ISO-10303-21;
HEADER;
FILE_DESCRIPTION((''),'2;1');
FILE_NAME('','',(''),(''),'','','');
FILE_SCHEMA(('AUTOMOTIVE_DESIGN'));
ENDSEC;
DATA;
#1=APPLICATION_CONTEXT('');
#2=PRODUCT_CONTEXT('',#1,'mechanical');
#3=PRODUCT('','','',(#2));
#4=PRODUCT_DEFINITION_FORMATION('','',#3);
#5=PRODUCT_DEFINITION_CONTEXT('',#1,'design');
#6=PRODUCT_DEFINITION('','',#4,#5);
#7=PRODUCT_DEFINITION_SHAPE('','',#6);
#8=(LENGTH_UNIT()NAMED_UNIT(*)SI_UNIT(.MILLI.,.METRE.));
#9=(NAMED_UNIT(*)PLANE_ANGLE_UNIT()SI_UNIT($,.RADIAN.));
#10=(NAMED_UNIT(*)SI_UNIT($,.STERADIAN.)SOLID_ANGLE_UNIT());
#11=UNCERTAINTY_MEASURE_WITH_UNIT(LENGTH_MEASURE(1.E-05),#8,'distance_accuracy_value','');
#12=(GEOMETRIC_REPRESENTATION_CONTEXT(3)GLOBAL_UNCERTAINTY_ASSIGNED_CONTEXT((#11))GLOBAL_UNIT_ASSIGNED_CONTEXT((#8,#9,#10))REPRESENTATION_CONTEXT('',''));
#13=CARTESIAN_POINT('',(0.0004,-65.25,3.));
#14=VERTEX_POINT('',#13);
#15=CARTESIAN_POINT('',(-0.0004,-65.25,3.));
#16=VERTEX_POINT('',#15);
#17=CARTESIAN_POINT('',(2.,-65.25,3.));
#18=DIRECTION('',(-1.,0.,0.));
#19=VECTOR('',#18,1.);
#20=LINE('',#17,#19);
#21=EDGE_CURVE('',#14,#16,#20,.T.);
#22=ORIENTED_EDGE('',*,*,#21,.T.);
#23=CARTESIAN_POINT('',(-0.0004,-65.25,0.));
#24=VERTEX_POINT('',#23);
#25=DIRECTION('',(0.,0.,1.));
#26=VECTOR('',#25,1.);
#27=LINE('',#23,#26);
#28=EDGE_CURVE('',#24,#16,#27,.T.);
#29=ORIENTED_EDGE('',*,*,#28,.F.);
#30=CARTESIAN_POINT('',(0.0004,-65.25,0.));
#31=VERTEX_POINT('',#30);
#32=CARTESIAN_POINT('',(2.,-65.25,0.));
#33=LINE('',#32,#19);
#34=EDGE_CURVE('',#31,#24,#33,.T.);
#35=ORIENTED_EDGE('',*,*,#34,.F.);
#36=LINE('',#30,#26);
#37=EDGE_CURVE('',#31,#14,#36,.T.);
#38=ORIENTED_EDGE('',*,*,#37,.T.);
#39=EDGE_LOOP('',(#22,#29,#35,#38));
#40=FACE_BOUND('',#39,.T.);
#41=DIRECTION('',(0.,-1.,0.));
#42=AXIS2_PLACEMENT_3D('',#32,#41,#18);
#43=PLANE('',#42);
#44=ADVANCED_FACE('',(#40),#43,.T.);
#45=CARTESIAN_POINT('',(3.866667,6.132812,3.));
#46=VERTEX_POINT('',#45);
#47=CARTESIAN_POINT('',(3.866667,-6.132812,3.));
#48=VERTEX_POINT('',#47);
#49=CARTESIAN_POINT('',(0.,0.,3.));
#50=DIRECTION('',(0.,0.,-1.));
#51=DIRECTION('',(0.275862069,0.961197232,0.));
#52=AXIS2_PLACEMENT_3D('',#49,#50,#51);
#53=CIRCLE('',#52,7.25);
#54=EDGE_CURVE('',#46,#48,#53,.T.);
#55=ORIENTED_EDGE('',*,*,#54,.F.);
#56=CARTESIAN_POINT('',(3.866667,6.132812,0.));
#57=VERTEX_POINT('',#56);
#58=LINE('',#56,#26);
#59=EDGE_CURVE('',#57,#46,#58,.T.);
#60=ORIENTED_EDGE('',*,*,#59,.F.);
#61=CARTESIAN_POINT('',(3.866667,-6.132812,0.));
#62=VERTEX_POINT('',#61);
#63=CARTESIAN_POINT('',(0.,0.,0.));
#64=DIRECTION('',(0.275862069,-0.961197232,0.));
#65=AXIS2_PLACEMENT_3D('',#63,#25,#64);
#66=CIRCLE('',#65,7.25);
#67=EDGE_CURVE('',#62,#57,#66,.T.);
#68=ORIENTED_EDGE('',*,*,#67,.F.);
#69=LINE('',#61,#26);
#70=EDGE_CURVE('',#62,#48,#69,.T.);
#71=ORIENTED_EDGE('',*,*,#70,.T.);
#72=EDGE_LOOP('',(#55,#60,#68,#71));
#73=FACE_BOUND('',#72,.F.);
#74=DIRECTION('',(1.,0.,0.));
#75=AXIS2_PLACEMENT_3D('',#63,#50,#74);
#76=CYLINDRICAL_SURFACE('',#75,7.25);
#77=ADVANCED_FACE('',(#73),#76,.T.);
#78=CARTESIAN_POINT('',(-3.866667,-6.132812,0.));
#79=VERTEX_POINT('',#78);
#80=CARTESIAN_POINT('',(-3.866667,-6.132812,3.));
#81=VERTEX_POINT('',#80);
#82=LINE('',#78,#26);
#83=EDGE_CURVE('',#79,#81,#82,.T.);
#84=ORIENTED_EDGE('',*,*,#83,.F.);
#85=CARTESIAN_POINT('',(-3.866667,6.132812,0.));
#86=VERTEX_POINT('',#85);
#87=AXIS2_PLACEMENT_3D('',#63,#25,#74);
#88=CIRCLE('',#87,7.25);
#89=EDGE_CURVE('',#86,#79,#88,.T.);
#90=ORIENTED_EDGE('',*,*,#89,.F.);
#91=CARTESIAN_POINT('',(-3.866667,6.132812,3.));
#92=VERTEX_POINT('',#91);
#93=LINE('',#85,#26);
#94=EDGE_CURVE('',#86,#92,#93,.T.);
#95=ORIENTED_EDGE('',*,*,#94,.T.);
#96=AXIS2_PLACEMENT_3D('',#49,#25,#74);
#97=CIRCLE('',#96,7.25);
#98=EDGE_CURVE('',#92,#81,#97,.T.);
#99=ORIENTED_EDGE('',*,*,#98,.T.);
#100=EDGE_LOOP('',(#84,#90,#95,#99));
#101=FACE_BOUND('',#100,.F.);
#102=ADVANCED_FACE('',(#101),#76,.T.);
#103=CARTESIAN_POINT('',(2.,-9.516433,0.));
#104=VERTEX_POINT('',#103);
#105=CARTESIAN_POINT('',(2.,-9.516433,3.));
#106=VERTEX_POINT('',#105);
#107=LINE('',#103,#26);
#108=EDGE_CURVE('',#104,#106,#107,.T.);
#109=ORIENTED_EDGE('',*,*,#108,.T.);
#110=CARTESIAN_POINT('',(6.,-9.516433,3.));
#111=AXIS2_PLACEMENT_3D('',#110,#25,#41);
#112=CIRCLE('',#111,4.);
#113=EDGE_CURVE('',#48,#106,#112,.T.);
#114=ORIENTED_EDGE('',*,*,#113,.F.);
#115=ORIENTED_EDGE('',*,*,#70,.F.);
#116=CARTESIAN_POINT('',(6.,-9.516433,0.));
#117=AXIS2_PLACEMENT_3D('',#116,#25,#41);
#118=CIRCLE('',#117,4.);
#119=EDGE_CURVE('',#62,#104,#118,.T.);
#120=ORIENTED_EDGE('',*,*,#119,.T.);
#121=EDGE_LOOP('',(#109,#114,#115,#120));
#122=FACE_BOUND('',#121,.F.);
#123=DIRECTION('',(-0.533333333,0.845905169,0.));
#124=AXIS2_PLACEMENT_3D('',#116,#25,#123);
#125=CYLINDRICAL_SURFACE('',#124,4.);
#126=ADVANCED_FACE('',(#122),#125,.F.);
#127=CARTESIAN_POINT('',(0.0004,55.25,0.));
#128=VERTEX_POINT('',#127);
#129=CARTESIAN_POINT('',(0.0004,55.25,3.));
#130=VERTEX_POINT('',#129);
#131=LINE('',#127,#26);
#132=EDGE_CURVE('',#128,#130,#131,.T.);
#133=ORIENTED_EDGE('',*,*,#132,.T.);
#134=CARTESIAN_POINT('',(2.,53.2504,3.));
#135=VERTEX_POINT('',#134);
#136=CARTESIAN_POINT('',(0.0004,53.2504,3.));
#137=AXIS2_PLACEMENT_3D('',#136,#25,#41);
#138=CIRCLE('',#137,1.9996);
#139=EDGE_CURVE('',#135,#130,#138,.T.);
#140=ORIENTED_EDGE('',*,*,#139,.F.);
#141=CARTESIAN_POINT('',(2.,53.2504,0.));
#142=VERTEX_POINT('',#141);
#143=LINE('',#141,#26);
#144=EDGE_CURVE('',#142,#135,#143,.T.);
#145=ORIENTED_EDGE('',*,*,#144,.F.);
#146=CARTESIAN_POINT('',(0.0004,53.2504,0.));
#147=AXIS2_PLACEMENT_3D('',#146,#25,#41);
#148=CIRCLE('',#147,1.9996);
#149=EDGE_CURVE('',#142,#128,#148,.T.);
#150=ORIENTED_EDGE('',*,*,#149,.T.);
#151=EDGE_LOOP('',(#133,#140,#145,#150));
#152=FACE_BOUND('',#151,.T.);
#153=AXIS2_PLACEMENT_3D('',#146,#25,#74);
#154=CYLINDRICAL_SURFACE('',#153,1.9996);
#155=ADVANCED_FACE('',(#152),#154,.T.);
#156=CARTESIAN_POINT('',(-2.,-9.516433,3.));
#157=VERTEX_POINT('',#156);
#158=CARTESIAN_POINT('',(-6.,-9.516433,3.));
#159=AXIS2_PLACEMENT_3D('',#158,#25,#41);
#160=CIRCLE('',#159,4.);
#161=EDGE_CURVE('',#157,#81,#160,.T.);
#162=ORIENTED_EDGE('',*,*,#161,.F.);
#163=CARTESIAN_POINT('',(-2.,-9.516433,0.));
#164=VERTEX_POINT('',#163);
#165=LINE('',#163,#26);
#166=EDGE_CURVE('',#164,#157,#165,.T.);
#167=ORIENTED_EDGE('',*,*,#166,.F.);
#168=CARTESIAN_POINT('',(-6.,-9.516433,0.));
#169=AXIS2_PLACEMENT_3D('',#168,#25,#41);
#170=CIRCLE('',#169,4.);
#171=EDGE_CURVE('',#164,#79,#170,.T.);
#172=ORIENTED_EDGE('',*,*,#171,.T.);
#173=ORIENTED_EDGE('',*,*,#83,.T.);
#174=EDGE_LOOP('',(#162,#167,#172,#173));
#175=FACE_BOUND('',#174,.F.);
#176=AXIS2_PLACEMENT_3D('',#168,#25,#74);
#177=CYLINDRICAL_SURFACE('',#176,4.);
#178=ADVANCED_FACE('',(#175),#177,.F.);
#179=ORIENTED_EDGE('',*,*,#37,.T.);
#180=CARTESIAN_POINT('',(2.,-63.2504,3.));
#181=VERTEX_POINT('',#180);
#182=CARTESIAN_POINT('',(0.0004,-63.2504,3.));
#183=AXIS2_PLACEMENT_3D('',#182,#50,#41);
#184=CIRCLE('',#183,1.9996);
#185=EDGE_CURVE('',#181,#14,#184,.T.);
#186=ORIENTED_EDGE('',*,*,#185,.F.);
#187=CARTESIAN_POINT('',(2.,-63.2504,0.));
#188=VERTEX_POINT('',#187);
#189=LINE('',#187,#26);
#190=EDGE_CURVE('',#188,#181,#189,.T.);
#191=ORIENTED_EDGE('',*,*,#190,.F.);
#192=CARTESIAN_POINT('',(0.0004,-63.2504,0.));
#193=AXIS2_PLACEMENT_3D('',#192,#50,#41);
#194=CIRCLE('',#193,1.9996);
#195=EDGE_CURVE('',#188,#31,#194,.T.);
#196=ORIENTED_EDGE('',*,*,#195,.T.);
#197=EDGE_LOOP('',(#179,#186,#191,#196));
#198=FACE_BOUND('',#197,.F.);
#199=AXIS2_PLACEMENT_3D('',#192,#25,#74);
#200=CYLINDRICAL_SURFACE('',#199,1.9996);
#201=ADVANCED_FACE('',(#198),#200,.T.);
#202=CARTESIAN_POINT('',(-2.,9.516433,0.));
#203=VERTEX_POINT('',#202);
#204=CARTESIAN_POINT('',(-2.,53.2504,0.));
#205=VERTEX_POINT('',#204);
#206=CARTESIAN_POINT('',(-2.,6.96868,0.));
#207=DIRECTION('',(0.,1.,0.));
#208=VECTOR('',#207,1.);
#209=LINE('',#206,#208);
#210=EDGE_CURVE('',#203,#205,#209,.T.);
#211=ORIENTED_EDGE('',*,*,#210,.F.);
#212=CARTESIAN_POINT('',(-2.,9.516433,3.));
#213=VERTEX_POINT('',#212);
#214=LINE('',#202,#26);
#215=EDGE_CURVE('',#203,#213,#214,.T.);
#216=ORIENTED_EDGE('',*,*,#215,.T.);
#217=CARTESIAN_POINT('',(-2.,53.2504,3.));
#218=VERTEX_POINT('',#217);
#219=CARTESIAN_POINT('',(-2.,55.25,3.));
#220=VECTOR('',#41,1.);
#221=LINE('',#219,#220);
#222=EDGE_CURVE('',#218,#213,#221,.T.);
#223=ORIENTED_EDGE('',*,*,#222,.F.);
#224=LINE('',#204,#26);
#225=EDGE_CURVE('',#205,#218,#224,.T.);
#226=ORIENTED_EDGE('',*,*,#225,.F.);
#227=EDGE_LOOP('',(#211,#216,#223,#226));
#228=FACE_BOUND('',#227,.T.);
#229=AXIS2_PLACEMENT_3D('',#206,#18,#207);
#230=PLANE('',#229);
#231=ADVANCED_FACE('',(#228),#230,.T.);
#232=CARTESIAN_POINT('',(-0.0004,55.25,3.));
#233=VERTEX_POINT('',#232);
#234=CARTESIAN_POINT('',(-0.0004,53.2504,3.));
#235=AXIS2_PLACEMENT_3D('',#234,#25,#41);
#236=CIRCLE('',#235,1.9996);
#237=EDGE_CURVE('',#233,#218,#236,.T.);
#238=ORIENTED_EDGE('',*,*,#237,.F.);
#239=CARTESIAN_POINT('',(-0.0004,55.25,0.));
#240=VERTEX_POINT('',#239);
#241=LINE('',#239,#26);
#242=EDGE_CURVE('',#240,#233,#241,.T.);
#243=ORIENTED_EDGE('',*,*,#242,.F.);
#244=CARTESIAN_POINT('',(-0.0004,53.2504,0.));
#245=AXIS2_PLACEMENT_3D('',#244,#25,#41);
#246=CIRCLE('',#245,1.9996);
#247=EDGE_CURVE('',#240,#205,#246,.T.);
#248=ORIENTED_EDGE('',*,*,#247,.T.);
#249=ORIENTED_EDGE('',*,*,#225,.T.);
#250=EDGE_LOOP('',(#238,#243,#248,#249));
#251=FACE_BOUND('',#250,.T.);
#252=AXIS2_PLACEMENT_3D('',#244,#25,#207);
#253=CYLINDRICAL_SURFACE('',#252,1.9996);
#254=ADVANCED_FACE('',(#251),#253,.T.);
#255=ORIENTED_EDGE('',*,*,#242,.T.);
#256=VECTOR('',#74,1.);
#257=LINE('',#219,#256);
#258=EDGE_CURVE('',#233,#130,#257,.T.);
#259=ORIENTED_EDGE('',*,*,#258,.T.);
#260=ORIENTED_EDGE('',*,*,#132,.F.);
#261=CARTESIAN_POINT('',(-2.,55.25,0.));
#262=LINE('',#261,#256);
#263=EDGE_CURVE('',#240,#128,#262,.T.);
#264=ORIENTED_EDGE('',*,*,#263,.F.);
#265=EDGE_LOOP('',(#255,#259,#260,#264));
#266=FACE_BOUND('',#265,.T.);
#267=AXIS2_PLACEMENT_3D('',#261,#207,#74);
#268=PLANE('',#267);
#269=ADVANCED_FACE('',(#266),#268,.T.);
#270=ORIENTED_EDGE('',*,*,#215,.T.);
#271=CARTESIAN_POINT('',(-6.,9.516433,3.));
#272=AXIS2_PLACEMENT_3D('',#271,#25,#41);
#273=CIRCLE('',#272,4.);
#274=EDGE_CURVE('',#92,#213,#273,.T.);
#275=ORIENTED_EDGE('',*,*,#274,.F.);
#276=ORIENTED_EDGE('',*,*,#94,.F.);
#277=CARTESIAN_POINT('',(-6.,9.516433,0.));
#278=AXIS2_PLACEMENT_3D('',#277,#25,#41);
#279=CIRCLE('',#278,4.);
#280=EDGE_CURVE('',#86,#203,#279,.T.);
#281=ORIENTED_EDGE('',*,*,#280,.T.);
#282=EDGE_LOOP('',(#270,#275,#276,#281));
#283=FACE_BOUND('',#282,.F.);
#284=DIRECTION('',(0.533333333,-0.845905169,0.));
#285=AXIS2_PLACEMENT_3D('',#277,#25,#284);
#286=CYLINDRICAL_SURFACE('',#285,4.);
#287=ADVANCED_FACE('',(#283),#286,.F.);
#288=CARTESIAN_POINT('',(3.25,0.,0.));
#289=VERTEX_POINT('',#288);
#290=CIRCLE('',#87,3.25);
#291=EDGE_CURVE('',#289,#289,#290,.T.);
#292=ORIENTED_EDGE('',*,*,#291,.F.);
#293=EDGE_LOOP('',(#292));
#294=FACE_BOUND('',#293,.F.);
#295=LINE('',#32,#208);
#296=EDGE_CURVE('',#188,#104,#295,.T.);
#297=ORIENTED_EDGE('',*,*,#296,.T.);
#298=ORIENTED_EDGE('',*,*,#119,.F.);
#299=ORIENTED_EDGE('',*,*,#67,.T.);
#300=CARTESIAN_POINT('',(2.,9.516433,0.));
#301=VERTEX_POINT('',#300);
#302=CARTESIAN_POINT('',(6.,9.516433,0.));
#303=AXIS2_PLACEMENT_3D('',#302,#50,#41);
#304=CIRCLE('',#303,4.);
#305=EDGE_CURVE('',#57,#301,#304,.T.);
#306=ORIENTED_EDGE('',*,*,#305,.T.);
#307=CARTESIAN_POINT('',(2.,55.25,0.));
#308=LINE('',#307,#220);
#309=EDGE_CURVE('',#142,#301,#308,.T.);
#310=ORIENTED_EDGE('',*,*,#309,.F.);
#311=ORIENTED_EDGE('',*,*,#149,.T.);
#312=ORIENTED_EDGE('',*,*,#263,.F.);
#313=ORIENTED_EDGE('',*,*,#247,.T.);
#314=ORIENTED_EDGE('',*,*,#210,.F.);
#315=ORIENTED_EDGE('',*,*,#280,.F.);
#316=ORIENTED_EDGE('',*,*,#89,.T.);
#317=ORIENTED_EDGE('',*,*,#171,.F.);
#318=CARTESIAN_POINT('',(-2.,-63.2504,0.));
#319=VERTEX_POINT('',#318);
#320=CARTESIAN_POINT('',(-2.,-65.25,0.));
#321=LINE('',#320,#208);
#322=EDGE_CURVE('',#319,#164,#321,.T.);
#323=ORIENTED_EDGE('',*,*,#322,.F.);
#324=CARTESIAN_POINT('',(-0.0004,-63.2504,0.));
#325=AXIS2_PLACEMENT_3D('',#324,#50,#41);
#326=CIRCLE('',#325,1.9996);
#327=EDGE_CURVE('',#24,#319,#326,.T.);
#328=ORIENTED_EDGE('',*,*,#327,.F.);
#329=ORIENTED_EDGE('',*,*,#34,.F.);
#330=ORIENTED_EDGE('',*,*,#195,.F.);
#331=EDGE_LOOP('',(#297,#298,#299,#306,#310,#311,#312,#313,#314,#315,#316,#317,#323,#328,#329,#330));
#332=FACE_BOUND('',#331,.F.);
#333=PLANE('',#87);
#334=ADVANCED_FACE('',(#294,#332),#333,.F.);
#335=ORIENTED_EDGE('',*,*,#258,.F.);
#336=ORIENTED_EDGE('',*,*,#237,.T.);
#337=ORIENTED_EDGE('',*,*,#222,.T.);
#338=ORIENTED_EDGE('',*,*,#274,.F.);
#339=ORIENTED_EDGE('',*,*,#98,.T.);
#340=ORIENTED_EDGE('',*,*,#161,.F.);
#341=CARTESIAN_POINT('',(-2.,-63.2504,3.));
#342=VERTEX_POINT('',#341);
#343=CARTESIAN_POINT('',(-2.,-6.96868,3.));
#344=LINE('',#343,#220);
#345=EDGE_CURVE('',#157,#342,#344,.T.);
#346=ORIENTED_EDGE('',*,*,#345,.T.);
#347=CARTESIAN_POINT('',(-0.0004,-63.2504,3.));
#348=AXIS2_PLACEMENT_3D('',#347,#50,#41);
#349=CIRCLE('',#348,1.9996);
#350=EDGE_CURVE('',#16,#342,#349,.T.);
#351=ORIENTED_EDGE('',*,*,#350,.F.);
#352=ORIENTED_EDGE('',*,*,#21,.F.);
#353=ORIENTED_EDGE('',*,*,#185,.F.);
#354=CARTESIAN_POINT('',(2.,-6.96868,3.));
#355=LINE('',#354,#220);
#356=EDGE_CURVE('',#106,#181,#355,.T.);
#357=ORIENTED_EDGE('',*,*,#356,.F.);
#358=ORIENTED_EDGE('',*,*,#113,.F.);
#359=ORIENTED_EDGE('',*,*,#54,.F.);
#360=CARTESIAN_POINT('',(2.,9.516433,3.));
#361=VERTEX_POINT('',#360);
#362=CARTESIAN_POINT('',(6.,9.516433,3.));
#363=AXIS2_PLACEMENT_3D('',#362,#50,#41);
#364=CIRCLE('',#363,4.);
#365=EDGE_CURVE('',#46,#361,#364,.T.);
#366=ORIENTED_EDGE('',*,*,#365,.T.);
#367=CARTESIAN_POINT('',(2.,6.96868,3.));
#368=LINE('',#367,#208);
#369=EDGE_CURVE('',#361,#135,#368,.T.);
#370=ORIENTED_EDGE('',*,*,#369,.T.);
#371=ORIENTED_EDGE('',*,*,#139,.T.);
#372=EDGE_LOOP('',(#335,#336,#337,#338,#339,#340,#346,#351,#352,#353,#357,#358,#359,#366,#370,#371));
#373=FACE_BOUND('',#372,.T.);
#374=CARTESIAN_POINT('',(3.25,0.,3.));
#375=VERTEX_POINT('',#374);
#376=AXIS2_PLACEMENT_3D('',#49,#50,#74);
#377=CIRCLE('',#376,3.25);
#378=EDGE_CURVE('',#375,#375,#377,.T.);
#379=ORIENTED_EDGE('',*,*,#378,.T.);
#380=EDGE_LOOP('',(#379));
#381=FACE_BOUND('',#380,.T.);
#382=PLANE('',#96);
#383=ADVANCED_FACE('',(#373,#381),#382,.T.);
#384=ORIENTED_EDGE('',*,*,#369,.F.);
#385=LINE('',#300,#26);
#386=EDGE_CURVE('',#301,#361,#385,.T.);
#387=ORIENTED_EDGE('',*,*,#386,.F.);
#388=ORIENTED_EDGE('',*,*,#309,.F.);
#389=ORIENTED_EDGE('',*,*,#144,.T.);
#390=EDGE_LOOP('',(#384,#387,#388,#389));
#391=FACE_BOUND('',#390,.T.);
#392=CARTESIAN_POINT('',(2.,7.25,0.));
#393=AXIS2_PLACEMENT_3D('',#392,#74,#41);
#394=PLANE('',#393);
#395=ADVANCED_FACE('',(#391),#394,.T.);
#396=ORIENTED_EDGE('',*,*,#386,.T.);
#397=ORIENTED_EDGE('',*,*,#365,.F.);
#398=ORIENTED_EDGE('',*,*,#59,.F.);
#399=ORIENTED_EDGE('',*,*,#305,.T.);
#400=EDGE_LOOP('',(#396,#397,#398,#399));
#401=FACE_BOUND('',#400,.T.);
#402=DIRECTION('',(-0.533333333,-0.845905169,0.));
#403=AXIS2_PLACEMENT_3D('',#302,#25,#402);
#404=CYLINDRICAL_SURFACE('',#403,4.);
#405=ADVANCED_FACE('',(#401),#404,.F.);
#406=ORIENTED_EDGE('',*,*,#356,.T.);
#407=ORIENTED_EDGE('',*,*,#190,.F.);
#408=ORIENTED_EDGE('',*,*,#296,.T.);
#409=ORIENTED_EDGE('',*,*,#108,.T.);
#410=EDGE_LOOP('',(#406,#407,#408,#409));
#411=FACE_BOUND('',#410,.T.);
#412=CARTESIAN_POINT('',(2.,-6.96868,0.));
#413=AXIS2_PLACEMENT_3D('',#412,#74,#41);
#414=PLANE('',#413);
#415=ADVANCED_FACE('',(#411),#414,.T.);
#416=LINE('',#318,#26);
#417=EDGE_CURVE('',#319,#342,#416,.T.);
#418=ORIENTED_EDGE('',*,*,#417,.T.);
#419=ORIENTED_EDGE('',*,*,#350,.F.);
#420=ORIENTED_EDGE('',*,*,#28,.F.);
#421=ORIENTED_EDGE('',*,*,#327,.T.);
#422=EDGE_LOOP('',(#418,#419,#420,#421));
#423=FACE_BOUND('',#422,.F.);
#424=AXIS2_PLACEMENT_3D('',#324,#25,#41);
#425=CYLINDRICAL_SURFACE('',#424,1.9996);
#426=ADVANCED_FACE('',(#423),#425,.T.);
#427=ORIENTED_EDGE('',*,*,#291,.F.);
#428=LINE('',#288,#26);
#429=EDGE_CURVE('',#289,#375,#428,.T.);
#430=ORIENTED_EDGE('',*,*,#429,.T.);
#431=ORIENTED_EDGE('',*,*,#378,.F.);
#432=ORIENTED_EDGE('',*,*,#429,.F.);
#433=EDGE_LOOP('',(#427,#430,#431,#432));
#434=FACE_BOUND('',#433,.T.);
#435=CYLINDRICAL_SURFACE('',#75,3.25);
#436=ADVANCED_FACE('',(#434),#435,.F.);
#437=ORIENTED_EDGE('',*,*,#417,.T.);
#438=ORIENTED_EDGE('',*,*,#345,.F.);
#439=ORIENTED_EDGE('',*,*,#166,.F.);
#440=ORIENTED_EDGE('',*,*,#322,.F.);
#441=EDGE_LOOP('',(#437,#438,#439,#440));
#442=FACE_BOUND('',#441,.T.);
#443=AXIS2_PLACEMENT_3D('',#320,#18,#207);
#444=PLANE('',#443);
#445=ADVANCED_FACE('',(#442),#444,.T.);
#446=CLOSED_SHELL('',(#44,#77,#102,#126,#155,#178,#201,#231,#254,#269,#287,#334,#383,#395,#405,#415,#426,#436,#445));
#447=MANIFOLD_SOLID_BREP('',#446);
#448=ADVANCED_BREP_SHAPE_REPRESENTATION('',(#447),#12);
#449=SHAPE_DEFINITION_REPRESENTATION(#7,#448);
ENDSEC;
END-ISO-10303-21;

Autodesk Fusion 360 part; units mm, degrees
sketch "Mixer arm" plane through (0, 0, 0) normal (0, 0, 1) x (1, 0, 0)
  circle A0 centre (0, 0) radius 7.25
  circle A1 centre (0, 0) radius 3.25
  line L0 (-2, 55.25) -> (2, 55.25)
  line L1 (2, 55.25) -> (2, 3.25)
  line L2 (2, 3.25) -> (-2, 3.25)
  line L3 (-2, 3.25) -> (-2, 55.25)
  line L4 (-2, -3.25) -> (2, -3.25)
  line L5 (2, -3.25) -> (2, -65.25)
  line L6 (2, -65.25) -> (-2, -65.25)
  line L7 (-2, -65.25) -> (-2, -3.25)
  line L8 (-2, -7.25) -> (2, -7.25)
  line L9 (-2, 7.25) -> (2, 7.25)
  dimension "d3" = 6.5
  dimension "d5" = 14.5
  dimension "d6" = 2
  dimension "d7" = 2
  dimension "d8" = 2
  dimension "d9" = 2
  dimension "d14" = 58
  dimension "d15" = 48
extrude "Extrude1" add sketch "Mixer arm" along normal blind 3 contours A0 A1 L1 L2 L4 L5 | A0 L1 L2 L3 | A0 L1 L9 | A0 L5 L8 | A0 L4 L5 L7 | A0 L3 L9 | L0 L1 L3 L9 | A0 L7 L8 | L5 L6 L7 L8 | A0 A1 L2 L3 L4 L7
fillet "Fillet1" radius 4 4 edges at (2, -6.9687, 1.5) (2, 6.9687, 1.5) (-2, 6.9687, 1.5) (-2, -6.9687, 1.5)
fillet "Fillet2" radius 2 4 edges at (2, 55.25, 1.5) (-2, 55.25, 1.5) (-2, -65.25, 1.5) (2, -65.25, 1.5)
equation "stainless_steel_thickness = 3 mm" comment "The thickness of the 316 stainless steel sheets to laser cut."
equation "hole_diameter = 6.5 mm"
equation "d3 = hole_diameter"
equation "arm_thickness = 4 mm"
equation "d5 = hole_diameter + 2 * arm_thickness"
equation "d6 = arm_thickness / 2"
equation "d7 = arm_thickness / 2"
equation "d8 = arm_thickness / 2"
equation "d9 = arm_thickness / 2"
equation "d10 = stainless_steel_thickness"
equation "arm_length_front = 58 mm"
equation "arm_length_back = 48 mm"
equation "d14 = arm_length_front"
equation "d15 = arm_length_back"
equation "d17 = arm_thickness"
equation "d19 = arm_thickness / 2"
